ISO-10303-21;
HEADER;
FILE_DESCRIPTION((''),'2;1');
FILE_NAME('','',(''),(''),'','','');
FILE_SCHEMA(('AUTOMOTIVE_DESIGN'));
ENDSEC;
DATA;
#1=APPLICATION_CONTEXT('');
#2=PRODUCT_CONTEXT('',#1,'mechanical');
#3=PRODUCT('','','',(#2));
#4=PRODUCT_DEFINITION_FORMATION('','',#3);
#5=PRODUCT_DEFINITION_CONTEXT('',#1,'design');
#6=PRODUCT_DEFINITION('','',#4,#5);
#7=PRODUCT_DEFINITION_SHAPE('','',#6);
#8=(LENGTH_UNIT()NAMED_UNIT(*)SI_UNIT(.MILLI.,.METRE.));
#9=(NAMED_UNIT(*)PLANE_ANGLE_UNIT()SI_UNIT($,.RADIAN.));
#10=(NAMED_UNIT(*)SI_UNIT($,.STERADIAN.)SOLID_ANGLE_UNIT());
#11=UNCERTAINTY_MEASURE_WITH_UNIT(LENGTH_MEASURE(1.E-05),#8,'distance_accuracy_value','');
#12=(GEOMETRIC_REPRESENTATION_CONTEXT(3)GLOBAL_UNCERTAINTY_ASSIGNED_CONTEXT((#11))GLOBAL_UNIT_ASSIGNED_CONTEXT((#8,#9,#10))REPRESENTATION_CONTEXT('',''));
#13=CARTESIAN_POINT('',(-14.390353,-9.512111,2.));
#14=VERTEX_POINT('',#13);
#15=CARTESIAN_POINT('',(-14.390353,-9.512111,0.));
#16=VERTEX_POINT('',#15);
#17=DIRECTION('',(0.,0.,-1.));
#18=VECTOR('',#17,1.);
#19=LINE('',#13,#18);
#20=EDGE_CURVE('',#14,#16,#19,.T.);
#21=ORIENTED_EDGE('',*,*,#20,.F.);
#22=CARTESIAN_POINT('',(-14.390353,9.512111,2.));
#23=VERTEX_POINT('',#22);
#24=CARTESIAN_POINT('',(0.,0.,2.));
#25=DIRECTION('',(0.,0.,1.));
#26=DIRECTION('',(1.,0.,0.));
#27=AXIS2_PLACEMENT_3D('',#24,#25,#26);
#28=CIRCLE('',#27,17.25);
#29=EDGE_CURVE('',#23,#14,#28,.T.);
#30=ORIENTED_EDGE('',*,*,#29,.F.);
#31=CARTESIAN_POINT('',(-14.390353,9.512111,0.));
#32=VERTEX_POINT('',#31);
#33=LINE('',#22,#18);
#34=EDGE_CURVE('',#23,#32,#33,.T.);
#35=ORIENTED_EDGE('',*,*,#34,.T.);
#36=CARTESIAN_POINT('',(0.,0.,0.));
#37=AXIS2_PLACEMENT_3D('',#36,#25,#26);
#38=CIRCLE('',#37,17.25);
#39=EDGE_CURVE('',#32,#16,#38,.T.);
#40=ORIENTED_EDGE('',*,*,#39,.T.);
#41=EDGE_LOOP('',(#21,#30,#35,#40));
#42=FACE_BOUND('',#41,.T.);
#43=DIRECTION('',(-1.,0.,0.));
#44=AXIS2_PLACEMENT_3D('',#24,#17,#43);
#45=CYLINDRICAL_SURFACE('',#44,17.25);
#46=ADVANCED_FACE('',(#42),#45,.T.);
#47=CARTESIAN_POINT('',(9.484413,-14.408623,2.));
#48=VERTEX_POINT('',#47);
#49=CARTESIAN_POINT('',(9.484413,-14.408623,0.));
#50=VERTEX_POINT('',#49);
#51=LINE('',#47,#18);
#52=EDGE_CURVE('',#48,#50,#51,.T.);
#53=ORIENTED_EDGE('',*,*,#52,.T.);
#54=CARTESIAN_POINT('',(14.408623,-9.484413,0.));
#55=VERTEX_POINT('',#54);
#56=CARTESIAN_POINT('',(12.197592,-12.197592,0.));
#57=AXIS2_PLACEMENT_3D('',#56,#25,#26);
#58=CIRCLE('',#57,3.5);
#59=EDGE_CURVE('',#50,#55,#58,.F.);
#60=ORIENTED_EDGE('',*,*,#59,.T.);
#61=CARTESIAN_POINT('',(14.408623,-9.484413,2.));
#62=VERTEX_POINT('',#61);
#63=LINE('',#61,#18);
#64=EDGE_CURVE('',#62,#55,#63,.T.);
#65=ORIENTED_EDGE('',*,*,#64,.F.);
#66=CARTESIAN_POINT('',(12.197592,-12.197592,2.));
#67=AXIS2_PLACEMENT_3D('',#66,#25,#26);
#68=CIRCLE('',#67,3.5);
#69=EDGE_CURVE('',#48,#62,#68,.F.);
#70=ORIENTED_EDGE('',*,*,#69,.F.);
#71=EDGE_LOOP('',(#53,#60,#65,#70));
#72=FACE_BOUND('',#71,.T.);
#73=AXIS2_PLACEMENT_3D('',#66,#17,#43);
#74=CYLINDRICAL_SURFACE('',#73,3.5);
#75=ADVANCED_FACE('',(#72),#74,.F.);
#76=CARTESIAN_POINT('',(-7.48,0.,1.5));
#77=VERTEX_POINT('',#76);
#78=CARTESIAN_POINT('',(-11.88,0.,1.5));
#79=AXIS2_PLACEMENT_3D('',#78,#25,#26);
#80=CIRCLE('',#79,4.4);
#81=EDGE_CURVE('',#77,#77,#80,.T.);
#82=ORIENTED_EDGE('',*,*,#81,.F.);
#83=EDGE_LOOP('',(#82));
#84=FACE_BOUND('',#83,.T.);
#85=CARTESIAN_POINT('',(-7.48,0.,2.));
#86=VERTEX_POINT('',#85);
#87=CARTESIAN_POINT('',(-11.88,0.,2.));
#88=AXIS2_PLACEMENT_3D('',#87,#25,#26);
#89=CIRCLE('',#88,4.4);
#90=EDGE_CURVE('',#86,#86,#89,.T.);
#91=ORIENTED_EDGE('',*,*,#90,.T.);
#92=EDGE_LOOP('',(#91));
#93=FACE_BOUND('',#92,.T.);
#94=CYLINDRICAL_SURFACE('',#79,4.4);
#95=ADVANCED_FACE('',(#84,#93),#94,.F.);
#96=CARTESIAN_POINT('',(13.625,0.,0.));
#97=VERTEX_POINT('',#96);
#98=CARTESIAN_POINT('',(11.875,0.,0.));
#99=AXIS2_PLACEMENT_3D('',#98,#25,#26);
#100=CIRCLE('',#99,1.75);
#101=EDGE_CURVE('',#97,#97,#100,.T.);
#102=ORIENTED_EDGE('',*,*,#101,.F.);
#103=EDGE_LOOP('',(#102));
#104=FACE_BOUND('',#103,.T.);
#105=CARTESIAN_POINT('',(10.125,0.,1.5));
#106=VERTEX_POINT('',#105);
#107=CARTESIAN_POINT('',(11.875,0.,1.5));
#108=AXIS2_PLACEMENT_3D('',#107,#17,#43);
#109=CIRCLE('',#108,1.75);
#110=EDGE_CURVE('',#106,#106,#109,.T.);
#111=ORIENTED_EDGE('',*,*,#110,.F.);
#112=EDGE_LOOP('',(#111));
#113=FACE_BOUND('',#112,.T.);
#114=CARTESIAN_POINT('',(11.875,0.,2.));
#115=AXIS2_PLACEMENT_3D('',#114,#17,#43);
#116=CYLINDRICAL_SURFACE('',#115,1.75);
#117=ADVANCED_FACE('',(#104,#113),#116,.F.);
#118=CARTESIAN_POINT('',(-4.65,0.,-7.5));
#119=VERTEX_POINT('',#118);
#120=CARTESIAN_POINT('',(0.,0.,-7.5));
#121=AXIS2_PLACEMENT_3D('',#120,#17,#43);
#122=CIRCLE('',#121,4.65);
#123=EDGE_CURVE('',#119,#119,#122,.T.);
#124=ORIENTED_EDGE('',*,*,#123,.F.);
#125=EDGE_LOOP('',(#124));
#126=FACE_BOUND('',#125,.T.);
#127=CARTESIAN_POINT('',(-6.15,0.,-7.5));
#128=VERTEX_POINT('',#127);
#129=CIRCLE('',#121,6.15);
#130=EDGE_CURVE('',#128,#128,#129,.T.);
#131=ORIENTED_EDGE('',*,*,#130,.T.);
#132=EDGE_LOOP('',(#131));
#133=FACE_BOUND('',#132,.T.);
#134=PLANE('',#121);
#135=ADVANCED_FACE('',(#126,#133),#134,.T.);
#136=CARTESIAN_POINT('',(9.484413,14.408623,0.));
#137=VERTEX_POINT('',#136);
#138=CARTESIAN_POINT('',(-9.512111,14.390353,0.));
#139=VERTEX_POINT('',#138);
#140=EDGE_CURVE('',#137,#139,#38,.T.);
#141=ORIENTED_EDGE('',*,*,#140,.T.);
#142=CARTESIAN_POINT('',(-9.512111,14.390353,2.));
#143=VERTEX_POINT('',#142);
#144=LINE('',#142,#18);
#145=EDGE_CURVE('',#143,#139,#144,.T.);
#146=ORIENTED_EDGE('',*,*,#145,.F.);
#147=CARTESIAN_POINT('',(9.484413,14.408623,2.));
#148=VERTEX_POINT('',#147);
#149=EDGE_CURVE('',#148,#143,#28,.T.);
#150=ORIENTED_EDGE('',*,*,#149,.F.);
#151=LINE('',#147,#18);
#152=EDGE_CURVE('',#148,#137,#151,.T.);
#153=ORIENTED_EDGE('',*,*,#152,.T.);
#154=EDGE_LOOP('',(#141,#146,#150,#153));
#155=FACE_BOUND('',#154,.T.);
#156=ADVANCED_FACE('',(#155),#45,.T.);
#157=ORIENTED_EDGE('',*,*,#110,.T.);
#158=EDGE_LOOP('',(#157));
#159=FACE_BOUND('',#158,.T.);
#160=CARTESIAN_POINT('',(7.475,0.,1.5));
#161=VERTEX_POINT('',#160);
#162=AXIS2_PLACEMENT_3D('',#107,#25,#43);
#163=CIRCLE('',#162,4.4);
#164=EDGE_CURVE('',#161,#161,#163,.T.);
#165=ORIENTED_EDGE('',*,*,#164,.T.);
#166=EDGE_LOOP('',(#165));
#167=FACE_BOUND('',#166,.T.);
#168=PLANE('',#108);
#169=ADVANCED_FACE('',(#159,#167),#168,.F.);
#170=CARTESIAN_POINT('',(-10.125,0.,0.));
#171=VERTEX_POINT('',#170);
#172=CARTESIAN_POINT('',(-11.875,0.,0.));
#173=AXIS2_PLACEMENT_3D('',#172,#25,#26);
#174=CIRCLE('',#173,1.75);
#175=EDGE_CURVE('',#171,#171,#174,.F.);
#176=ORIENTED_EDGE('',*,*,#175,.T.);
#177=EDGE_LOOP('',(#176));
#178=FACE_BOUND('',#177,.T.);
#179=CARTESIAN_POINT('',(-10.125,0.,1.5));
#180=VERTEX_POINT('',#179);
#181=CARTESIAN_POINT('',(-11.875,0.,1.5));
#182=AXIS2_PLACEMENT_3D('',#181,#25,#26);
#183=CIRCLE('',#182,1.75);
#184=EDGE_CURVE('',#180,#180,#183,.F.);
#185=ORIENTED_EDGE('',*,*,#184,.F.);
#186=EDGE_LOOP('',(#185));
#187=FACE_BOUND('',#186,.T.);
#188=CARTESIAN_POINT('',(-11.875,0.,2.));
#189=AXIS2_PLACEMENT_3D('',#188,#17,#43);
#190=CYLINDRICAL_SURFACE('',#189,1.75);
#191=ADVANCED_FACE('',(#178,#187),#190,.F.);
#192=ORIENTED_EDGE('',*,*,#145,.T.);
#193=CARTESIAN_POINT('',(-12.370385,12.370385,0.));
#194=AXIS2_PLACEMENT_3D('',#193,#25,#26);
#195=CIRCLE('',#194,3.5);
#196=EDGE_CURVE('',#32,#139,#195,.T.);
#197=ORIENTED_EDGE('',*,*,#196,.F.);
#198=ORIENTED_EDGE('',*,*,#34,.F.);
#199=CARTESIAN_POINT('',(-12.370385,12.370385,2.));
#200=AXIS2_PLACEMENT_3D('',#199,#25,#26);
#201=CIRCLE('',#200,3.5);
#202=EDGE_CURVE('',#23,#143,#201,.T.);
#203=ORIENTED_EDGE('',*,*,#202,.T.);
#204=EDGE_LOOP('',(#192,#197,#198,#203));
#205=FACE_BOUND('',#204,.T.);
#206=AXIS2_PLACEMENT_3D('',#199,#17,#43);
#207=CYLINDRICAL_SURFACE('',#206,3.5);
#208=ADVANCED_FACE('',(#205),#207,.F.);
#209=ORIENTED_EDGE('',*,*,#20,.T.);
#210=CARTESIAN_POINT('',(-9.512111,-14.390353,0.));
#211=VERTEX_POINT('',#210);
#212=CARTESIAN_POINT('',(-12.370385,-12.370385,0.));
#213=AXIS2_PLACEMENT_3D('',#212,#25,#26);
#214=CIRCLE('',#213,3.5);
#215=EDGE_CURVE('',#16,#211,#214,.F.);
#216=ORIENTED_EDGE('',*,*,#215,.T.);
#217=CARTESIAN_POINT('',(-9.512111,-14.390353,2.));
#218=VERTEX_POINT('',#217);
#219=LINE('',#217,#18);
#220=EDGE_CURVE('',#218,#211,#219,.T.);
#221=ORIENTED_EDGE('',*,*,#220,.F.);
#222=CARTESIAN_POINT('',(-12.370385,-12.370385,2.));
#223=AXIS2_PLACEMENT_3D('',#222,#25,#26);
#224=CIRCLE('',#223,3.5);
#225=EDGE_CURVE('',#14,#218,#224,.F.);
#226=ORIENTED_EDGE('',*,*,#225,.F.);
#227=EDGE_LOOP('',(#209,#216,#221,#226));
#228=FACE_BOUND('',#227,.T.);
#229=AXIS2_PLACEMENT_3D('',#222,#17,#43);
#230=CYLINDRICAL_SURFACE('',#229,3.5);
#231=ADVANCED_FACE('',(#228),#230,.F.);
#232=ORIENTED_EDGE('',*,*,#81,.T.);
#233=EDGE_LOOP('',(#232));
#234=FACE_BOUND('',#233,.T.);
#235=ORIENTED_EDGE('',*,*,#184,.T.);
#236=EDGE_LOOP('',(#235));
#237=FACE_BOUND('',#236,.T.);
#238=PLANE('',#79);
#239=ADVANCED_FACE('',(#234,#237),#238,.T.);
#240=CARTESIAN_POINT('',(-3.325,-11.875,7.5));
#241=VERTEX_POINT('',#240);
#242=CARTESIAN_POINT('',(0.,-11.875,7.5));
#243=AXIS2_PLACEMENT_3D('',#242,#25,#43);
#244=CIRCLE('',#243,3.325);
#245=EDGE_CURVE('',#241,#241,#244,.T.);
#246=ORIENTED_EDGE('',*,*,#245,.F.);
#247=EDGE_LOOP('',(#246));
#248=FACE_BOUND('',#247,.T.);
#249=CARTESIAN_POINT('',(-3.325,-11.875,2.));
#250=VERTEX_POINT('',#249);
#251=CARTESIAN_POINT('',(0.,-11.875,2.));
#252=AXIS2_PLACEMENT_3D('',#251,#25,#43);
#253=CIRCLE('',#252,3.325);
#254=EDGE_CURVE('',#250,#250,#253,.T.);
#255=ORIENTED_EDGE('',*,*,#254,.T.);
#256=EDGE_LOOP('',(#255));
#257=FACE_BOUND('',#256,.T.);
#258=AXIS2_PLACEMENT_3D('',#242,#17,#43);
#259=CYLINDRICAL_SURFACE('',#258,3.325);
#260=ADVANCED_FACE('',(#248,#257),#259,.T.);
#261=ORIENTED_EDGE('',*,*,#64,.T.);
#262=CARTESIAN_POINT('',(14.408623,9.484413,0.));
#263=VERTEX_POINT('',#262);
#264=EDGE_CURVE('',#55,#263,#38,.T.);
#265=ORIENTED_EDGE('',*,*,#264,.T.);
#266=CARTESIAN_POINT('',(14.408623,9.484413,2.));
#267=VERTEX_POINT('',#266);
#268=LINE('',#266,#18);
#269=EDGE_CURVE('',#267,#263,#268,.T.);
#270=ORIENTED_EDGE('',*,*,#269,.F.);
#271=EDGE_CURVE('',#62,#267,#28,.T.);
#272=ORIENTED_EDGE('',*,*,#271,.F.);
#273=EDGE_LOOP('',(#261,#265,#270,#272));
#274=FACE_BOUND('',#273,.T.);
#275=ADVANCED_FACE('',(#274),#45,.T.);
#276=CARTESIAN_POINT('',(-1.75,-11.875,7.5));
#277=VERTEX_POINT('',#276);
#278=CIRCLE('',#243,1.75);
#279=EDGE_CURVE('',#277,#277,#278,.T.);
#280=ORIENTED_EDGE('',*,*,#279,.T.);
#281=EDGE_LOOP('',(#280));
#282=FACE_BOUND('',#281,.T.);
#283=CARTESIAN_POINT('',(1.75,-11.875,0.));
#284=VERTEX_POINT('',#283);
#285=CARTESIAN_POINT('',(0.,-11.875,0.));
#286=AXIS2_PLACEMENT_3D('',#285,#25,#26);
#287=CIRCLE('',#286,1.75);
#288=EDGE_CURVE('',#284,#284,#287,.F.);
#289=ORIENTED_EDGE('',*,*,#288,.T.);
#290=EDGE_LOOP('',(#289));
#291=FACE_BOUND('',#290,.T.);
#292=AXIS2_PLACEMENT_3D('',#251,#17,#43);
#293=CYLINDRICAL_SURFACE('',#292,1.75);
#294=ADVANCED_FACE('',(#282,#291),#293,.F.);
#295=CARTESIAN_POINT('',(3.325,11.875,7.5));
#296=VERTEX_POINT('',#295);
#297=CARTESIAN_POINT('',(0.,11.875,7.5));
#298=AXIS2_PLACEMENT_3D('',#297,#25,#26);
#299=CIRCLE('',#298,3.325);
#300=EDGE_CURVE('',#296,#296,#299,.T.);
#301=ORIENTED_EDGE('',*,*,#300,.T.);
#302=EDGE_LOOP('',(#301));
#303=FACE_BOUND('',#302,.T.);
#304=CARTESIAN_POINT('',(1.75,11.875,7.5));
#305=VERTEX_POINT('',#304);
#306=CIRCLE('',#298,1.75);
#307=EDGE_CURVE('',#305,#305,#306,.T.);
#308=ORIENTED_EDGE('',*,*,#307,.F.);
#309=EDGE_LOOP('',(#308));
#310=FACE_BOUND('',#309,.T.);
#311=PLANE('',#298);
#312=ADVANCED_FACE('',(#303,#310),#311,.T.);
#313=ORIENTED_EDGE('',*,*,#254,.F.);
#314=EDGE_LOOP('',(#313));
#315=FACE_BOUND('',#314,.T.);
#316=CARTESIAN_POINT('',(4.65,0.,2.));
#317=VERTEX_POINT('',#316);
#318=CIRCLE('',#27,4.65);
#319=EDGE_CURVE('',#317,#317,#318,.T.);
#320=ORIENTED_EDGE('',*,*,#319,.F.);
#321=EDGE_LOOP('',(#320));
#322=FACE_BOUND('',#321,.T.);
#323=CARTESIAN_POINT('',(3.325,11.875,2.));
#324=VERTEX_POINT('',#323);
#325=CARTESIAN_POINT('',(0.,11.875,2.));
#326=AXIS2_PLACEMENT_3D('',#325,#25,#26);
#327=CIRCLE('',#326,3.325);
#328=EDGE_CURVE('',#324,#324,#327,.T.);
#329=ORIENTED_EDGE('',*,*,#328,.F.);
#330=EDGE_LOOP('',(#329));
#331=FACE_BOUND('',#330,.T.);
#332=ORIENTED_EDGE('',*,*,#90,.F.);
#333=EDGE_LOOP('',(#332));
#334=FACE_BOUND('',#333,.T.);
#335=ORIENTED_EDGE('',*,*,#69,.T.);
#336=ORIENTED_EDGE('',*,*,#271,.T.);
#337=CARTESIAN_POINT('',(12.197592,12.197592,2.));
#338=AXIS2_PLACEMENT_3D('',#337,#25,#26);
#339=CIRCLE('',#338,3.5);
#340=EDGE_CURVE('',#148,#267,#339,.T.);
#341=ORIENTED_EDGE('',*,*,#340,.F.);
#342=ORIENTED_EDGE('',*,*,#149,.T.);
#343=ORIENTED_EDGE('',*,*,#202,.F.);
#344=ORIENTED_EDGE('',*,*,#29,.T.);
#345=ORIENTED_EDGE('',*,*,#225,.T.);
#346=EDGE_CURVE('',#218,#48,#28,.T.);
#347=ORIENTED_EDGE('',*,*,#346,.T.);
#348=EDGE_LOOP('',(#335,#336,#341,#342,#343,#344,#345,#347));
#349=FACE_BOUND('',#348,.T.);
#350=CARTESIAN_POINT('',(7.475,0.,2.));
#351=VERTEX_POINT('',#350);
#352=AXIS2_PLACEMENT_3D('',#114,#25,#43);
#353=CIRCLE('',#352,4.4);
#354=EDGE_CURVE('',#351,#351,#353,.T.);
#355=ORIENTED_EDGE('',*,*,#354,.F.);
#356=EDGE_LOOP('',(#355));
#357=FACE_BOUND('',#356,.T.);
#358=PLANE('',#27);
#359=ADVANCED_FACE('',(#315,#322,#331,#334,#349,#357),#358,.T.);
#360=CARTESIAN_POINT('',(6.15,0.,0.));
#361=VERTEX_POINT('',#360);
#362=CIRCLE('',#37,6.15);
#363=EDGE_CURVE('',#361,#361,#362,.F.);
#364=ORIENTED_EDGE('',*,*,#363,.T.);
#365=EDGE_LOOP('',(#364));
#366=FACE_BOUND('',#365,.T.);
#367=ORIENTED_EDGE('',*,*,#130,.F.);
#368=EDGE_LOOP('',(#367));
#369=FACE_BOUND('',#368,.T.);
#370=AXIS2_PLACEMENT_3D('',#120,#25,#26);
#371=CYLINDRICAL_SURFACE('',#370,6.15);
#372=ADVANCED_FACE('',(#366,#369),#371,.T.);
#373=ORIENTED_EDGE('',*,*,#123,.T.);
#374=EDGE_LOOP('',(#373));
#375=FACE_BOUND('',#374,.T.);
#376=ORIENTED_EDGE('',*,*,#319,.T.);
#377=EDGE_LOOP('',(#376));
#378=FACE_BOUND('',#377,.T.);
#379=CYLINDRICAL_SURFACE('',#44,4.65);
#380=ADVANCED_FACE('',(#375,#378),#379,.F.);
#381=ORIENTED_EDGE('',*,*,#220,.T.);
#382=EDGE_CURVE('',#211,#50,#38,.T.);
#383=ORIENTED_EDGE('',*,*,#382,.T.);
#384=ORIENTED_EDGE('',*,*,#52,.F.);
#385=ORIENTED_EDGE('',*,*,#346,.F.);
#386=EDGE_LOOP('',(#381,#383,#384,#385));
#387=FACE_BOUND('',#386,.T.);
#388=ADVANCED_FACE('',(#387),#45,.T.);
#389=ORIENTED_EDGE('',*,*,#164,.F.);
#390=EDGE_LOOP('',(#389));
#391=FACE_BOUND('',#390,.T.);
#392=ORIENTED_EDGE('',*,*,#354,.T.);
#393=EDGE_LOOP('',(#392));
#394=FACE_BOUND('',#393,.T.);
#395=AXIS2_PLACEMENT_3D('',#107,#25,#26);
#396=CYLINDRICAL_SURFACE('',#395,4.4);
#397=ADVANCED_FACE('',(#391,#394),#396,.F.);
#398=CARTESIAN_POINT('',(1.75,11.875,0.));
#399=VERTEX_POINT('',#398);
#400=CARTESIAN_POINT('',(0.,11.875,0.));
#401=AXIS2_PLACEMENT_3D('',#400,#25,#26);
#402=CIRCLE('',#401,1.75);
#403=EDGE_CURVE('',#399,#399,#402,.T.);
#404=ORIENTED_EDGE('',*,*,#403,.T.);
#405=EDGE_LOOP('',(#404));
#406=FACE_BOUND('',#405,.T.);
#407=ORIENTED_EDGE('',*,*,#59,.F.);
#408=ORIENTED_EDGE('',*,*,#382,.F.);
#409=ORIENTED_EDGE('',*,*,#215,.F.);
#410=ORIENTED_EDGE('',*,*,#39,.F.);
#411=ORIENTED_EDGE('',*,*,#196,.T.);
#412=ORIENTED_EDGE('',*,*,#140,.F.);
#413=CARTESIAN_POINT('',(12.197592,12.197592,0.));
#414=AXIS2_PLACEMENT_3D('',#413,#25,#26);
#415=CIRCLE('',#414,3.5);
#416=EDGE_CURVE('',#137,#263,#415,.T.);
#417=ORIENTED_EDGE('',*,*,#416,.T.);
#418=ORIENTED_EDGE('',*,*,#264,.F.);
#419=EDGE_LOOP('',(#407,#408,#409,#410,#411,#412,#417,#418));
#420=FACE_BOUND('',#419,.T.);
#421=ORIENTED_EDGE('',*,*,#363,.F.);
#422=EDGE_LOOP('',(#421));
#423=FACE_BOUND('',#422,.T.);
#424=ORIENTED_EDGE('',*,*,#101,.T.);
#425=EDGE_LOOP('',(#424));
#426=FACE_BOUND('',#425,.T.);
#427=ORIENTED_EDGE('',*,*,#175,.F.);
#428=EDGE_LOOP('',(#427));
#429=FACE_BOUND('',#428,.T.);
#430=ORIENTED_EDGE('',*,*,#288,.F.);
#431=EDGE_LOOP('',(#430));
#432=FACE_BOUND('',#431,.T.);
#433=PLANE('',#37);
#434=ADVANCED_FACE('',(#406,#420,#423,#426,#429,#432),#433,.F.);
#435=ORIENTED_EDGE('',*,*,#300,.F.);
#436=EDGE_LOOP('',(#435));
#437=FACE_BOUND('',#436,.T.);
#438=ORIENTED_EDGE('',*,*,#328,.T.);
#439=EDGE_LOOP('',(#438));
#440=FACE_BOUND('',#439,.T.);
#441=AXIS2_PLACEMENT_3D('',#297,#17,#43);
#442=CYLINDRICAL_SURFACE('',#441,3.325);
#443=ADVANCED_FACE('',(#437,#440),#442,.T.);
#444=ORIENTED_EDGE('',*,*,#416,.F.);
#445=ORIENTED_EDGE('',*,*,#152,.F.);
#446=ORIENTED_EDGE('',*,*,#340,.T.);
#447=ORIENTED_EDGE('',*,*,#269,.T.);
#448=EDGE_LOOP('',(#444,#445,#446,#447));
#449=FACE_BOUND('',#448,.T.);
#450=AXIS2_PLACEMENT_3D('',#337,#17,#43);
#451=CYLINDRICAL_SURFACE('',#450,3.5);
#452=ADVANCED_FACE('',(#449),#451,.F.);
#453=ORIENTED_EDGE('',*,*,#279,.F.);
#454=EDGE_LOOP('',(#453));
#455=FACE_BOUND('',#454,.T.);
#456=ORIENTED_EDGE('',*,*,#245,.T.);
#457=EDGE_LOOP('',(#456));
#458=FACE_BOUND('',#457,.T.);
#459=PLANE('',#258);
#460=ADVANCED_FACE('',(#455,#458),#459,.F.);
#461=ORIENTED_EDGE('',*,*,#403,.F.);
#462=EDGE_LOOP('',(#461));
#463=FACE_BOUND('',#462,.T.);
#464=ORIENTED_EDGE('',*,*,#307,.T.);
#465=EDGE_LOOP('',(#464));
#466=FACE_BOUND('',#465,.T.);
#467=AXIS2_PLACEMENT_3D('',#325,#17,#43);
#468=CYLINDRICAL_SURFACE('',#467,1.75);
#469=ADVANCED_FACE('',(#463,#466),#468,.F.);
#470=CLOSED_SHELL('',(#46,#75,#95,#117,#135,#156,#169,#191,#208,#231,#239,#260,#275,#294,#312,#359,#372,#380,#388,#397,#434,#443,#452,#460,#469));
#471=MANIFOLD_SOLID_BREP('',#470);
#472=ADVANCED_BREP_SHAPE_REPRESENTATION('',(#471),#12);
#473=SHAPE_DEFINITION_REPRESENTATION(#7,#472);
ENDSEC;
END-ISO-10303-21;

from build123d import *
from build123d.topology import SkipClean

# Parameters (mm, degrees)
ESQUISSE1_R             = 1.75
ESQUISSE1_R_2           = 4.65
BOSS_EXTRU_1_DEPTH      = 2
BOSS_EXTRU_2_START      = 7.5
ESQUISSE2_R             = 6.15
ESQUISSE2_R_2           = 4.65
BOSS_EXTRU_2_DEPTH      = 7.5
ESQUISSE3_R             = 3.325
ESQUISSE3_R_2           = 1.75
BOSS_EXTRU_3_DEPTH      = 5.5
ESQUISSE4_R             = 4.4
ENL_V_MAT_EXTRU_1_DEPTH = 0.5


with BuildPart() as part:
    # Esquisse1 → Boss.-Extru.1 (new body)
    with BuildSketch(Plane.XY):
        with BuildLine():
            ThreePointArc((-9.512110845, 14.390352576), (-9.895511173, 9.895511173), (-14.390352576, 9.512110845))
            ThreePointArc((-14.390352576, 9.512110845), (-17.25, 0), (-14.390352576, -9.512110845))
            ThreePointArc((-14.390352576, -9.512110845), (-9.895511173, -9.895511173), (-9.512110845, -14.390352576))
            ThreePointArc((-9.512110845, -14.390352576), (-0.01659063, -17.249992022), (9.484412678, -14.408622979))
            ThreePointArc((9.484412678, -14.408622979), (9.722718241, -9.722718241), (14.408622979, -9.484412678))
            ThreePointArc((14.408622979, -9.484412678), (17.25, 0), (14.408622979, 9.484412678))
            ThreePointArc((14.408622979, 9.484412678), (9.722718241, 9.722718241), (9.484412678, 14.408622979))
            ThreePointArc((9.484412678, 14.408622979), (-0.01659063, 17.249992022), (-9.512110845, 14.390352576))
        make_face()
        with Locations((0, -11.875)):
            Circle(ESQUISSE1_R, mode=Mode.SUBTRACT)
        with Locations((-11.875, 0)):
            Circle(ESQUISSE1_R, mode=Mode.SUBTRACT)
        Circle(ESQUISSE1_R_2, mode=Mode.SUBTRACT)
        with Locations((11.875, 0)):
            Circle(ESQUISSE1_R, mode=Mode.SUBTRACT)
        with Locations((0, 11.875)):
            Circle(ESQUISSE1_R, mode=Mode.SUBTRACT)
    extrude(amount=BOSS_EXTRU_1_DEPTH)

    # Esquisse2 → Boss.-Extru.2 (add)
    with SkipClean():  # the faces are left unmerged after this step: merging them gives an invalid solid
        with BuildSketch(Plane(origin=(0, 0, 0), x_dir=(-1, 0, 0), z_dir=(0, 0, -1)).offset(BOSS_EXTRU_2_START)):
            with Locations(Location((0, 0, 0), (0, 0, 180))):
                Circle(ESQUISSE2_R)
            Circle(ESQUISSE2_R_2, mode=Mode.SUBTRACT)
        extrude(amount=-BOSS_EXTRU_2_DEPTH)

    # Esquisse3 → Boss.-Extru.3 (add)
    # profile 1 of 2: a face of its own
    with SkipClean():  # the faces are left unmerged after this step: merging them gives an invalid solid
        with BuildSketch(Plane.XY.offset(2)):
            with Locations((0, 11.875)):
                Circle(ESQUISSE3_R)
            with Locations((0, 11.875)):
                Circle(ESQUISSE3_R_2, mode=Mode.SUBTRACT)
        # profile 2 of 2: a face of its own
        with BuildSketch(Plane.XY.offset(2)):
            with Locations(Location((0, -11.875, 0), (0, 0, 180))):
                Circle(ESQUISSE3_R)
            with Locations(Location((0, -11.875, 0), (0, 0, 180))):
                Circle(ESQUISSE3_R_2, mode=Mode.SUBTRACT)
        extrude(amount=BOSS_EXTRU_3_DEPTH)

    # Esquisse4 → Enlèv. mat.-Extru.1 (cut)
    with SkipClean():  # the faces are left unmerged after this step: merging them gives an invalid solid
        with BuildSketch(Plane.XY.offset(2)):
            with Locations((-11.88, 0)):
                Circle(ESQUISSE4_R)
            with Locations(Location((11.875, 0, 0), (0, 0, 180))):
                Circle(ESQUISSE4_R)
        extrude(amount=-ENL_V_MAT_EXTRU_1_DEPTH, mode=Mode.SUBTRACT)


solid = part.part
